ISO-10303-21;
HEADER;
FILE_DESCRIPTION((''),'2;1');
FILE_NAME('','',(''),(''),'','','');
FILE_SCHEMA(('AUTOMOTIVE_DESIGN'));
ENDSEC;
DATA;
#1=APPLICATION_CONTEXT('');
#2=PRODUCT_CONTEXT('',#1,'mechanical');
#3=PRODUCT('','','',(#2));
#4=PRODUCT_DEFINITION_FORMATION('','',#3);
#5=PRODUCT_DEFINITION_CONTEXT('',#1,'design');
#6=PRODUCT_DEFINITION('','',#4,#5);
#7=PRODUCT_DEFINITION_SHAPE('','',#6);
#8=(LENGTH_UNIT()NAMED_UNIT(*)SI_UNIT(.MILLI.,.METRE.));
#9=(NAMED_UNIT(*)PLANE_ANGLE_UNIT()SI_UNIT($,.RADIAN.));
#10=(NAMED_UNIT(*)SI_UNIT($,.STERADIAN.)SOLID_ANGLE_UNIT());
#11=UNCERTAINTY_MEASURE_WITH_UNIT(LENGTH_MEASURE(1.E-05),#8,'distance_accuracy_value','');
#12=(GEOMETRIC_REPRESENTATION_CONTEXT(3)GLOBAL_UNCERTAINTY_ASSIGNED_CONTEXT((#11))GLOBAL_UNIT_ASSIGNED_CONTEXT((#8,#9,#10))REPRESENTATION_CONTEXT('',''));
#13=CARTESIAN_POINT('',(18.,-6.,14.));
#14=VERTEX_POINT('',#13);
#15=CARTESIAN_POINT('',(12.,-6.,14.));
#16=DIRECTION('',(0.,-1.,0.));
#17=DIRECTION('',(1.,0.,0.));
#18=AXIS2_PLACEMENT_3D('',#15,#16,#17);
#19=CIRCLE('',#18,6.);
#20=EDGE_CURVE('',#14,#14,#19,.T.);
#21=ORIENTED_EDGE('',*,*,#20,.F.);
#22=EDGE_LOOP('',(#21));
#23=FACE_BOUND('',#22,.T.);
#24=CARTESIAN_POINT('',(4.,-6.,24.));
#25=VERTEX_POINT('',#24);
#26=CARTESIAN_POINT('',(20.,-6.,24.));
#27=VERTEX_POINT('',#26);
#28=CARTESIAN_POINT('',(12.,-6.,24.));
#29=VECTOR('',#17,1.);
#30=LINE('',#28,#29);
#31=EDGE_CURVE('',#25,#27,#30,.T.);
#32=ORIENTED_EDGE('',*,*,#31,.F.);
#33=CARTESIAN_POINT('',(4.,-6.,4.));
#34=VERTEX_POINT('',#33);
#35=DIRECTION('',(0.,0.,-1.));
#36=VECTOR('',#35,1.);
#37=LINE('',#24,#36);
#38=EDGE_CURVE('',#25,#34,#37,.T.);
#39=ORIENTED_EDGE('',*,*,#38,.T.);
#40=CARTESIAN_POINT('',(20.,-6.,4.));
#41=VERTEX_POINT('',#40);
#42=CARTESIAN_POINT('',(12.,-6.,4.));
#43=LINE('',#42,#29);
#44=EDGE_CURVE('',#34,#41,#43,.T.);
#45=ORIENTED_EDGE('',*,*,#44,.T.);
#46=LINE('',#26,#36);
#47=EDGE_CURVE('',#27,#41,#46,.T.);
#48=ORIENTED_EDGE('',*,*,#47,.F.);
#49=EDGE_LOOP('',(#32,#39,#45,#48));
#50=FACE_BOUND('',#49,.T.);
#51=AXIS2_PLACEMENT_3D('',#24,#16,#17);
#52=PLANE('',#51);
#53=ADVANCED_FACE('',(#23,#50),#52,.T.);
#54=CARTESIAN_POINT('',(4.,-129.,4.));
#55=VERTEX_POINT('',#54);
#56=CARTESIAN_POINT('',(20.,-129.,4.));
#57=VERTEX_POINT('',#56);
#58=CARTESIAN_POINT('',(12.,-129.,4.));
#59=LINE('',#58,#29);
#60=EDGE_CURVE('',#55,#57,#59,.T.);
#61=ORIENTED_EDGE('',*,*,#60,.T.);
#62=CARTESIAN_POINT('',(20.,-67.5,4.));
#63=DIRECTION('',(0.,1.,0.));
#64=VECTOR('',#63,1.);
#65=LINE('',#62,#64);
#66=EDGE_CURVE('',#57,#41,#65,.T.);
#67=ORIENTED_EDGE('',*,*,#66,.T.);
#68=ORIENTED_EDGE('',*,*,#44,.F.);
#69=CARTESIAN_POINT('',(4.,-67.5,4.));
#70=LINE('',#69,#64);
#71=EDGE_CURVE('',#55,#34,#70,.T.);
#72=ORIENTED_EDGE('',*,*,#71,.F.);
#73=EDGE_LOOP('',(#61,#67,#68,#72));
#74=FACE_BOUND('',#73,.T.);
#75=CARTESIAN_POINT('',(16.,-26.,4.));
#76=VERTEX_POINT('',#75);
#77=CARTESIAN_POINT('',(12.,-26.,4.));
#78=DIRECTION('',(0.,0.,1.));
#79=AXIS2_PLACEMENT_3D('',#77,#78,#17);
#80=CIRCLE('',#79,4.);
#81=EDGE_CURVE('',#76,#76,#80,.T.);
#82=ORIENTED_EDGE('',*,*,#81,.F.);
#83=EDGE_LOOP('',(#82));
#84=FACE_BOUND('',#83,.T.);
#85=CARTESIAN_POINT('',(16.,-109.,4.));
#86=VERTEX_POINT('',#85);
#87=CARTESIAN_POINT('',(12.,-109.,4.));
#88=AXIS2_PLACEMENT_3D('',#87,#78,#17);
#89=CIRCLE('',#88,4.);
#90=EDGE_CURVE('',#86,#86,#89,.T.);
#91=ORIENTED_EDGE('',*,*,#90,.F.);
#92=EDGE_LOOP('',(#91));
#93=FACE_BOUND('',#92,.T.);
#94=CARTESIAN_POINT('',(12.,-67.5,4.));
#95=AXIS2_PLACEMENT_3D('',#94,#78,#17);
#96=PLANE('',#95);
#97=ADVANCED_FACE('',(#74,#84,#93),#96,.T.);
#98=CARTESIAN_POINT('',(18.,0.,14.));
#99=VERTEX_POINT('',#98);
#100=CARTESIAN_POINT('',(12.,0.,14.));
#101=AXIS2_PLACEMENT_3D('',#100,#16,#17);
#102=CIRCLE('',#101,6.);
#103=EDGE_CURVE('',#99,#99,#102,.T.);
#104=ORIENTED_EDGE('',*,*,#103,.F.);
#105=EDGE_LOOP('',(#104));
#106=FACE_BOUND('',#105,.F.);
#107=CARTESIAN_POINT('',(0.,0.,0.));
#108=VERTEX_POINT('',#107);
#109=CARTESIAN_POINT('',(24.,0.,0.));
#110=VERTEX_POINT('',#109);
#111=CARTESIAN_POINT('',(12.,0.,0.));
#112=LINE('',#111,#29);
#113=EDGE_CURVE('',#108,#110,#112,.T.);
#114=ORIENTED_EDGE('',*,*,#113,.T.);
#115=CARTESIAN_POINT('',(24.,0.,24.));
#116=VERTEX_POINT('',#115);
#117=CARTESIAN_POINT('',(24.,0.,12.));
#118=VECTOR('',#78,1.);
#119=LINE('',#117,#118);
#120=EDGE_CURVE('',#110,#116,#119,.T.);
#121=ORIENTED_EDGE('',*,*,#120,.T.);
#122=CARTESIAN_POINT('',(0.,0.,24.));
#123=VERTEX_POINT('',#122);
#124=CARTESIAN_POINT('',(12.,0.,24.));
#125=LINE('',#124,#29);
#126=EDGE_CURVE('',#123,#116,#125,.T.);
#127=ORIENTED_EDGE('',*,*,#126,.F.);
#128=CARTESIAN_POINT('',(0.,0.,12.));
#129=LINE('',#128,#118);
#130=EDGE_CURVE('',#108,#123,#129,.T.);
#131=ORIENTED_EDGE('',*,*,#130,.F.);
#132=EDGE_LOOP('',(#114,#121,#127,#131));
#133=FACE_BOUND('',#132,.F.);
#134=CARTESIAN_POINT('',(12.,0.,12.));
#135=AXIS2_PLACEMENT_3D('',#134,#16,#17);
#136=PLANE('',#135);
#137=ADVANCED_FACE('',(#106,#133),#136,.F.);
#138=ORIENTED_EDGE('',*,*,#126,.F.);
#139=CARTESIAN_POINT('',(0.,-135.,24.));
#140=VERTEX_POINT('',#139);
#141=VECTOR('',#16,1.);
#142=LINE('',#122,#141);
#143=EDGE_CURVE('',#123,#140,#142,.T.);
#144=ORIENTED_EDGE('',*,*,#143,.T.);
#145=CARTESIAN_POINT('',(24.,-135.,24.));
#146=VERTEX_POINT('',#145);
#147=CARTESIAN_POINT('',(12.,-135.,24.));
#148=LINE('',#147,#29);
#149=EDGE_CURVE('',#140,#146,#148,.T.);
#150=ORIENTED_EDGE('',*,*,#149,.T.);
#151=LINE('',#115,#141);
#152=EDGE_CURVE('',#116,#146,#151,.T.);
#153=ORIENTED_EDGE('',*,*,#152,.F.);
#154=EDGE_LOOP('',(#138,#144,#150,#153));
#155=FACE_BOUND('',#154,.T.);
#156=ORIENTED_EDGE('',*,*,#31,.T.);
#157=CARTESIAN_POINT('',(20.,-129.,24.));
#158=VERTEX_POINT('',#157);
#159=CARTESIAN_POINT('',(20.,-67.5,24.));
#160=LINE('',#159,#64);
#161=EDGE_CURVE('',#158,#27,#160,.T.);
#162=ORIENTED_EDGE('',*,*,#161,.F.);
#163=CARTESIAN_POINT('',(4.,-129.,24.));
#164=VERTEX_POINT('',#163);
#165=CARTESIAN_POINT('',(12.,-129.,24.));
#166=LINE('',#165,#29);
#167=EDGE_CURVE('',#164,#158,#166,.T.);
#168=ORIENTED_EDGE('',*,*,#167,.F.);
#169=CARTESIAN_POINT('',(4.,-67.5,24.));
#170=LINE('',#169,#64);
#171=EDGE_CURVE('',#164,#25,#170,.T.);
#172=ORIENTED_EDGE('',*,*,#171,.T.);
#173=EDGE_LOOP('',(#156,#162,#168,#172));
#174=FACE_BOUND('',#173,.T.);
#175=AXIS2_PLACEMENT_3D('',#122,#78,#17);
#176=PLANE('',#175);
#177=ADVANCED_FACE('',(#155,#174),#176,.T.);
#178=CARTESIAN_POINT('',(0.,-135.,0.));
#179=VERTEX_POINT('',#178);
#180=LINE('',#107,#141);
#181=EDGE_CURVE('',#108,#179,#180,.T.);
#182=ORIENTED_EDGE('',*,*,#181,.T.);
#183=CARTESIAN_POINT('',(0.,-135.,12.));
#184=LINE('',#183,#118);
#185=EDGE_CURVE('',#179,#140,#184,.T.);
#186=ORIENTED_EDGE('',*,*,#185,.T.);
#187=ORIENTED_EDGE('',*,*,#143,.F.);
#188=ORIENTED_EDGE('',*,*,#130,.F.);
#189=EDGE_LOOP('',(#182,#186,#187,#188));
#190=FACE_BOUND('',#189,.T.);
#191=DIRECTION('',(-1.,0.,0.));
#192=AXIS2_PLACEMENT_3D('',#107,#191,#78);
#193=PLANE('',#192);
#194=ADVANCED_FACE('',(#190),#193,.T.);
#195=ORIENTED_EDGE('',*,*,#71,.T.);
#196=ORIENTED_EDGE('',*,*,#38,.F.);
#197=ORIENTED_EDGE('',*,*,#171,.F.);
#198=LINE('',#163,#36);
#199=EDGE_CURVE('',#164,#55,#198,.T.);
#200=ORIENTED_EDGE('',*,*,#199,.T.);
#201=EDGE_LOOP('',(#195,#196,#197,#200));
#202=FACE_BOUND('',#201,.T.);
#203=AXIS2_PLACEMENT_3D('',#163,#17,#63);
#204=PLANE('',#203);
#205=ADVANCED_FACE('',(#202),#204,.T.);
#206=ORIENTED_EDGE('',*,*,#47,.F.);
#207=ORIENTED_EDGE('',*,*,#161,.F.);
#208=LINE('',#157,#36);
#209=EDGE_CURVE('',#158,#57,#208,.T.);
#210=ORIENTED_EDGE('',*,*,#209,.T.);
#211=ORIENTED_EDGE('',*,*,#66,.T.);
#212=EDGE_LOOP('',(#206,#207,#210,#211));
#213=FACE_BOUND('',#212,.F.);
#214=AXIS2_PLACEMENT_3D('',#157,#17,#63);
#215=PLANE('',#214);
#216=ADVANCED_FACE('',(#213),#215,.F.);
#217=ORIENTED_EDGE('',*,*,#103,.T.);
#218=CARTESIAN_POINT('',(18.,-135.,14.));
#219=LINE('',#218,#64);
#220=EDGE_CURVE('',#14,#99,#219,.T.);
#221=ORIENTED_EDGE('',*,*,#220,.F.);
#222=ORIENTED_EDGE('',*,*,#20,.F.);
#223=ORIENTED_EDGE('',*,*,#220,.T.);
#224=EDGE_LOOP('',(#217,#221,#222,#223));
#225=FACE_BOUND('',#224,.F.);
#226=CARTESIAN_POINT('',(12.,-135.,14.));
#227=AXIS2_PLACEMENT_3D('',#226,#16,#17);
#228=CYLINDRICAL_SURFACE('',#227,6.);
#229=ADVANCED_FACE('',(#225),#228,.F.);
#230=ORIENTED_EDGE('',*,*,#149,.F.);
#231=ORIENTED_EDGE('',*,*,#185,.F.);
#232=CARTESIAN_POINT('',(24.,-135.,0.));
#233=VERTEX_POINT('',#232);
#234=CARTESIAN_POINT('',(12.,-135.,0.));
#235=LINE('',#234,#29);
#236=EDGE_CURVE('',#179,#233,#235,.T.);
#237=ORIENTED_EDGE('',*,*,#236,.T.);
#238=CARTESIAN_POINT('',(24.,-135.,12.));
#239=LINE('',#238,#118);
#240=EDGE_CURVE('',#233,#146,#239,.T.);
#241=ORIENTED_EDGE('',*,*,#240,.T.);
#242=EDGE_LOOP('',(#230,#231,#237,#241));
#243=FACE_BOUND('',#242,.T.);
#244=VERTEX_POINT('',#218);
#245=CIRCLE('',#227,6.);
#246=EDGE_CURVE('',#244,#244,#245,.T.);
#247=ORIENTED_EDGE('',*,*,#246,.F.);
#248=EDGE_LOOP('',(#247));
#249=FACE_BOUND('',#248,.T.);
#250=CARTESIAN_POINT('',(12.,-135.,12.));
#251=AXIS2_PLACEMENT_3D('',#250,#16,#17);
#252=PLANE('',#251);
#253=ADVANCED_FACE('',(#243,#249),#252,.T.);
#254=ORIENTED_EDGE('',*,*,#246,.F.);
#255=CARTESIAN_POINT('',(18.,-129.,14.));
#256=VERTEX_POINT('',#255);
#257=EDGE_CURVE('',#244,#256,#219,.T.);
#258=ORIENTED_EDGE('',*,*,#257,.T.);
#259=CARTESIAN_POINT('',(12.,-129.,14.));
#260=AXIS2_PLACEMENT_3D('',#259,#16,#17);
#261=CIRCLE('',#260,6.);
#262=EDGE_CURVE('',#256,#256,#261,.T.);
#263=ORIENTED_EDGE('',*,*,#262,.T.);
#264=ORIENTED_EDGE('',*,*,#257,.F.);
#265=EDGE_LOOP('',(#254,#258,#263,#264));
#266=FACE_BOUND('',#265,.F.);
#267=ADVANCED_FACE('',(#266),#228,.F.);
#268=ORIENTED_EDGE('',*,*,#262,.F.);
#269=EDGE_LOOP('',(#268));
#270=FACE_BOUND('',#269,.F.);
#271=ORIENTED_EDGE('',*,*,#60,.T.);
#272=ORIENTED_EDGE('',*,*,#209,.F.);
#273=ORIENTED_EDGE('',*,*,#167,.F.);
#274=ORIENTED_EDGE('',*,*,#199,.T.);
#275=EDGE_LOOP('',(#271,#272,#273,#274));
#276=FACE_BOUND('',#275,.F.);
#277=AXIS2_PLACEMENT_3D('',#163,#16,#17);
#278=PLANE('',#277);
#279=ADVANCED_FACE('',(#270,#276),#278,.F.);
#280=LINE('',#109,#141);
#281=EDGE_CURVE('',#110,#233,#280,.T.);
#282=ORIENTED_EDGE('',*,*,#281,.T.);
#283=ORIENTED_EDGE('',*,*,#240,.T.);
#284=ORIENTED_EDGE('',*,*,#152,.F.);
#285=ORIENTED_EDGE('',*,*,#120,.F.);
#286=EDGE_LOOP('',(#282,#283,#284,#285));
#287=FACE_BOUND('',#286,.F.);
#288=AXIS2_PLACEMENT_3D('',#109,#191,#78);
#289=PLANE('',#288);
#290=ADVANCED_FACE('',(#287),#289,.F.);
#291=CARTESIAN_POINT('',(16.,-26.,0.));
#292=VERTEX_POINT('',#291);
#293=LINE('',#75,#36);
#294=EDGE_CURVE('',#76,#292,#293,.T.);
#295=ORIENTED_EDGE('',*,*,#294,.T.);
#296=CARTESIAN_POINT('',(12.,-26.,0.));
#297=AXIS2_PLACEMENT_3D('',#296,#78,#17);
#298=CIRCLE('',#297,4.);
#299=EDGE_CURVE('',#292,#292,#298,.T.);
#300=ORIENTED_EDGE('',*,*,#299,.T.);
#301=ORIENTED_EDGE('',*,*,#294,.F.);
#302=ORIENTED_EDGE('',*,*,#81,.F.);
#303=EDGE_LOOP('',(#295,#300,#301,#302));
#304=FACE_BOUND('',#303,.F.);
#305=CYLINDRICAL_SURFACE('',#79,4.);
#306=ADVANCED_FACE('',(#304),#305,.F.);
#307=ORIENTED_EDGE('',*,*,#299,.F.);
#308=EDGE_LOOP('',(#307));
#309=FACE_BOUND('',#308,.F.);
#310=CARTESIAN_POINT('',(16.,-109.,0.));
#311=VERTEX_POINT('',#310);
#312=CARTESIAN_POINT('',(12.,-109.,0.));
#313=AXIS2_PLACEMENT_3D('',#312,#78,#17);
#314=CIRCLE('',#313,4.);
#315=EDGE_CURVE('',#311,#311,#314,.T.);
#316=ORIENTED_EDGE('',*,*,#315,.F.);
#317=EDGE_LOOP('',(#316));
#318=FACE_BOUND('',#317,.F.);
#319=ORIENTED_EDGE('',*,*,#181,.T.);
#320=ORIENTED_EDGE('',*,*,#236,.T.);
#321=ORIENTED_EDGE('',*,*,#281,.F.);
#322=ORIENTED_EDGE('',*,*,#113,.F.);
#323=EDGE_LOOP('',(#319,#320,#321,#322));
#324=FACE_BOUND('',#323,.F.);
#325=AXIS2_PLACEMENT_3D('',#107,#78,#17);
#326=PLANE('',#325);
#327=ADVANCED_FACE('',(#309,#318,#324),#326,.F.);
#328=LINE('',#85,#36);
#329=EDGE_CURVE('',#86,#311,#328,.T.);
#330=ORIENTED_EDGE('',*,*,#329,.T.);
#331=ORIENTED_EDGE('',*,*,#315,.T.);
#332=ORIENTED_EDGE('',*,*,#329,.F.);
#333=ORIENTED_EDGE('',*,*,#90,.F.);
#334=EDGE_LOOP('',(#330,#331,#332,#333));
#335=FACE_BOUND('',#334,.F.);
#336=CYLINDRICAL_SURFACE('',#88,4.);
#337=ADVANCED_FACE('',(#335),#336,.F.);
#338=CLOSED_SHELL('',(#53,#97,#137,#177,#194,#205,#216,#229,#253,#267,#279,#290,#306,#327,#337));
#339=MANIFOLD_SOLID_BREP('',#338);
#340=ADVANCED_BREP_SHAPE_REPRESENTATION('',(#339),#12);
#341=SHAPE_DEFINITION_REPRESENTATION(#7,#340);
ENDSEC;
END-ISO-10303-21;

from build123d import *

# Parameters (mm, degrees)
F0_W     = 24
F0_H     = 24
F1_DEPTH = 135
F2_W     = 16
F2_H     = 123
F3_DEPTH = 20
F4_R     = 6
F5_DEPTH = 135.001
F6_R     = 4
F7_DEPTH = 25


with BuildPart() as f1:
    # F0 (on Front) → F1 (new body)
    with BuildSketch(Plane.XZ):
        with Locations((12, 12)):
            Rectangle(F0_W, F0_H)
    extrude(amount=F1_DEPTH)

    # F2 (on face) → F3 (cut)
    with BuildSketch(Plane.XY.offset(24)):
        with Locations((12, -67.5)):
            Rectangle(F2_W, F2_H)
    extrude(amount=-F3_DEPTH, mode=Mode.SUBTRACT)

    # F4 (on face) → F5 (cut, through all)
    with BuildSketch(Plane.XZ.offset(135)):
        with Locations((12, 14)):
            Circle(F4_R)
    extrude(amount=-F5_DEPTH, mode=Mode.SUBTRACT)

    # F6 (on face) → F7 (cut)
    with BuildSketch(Plane.XY.offset(4)):
        with Locations((12, -26)):
            Circle(F6_R)
        with Locations((12, -109)):
            Circle(F6_R)
    extrude(amount=-F7_DEPTH, mode=Mode.SUBTRACT)


solid = f1.part
